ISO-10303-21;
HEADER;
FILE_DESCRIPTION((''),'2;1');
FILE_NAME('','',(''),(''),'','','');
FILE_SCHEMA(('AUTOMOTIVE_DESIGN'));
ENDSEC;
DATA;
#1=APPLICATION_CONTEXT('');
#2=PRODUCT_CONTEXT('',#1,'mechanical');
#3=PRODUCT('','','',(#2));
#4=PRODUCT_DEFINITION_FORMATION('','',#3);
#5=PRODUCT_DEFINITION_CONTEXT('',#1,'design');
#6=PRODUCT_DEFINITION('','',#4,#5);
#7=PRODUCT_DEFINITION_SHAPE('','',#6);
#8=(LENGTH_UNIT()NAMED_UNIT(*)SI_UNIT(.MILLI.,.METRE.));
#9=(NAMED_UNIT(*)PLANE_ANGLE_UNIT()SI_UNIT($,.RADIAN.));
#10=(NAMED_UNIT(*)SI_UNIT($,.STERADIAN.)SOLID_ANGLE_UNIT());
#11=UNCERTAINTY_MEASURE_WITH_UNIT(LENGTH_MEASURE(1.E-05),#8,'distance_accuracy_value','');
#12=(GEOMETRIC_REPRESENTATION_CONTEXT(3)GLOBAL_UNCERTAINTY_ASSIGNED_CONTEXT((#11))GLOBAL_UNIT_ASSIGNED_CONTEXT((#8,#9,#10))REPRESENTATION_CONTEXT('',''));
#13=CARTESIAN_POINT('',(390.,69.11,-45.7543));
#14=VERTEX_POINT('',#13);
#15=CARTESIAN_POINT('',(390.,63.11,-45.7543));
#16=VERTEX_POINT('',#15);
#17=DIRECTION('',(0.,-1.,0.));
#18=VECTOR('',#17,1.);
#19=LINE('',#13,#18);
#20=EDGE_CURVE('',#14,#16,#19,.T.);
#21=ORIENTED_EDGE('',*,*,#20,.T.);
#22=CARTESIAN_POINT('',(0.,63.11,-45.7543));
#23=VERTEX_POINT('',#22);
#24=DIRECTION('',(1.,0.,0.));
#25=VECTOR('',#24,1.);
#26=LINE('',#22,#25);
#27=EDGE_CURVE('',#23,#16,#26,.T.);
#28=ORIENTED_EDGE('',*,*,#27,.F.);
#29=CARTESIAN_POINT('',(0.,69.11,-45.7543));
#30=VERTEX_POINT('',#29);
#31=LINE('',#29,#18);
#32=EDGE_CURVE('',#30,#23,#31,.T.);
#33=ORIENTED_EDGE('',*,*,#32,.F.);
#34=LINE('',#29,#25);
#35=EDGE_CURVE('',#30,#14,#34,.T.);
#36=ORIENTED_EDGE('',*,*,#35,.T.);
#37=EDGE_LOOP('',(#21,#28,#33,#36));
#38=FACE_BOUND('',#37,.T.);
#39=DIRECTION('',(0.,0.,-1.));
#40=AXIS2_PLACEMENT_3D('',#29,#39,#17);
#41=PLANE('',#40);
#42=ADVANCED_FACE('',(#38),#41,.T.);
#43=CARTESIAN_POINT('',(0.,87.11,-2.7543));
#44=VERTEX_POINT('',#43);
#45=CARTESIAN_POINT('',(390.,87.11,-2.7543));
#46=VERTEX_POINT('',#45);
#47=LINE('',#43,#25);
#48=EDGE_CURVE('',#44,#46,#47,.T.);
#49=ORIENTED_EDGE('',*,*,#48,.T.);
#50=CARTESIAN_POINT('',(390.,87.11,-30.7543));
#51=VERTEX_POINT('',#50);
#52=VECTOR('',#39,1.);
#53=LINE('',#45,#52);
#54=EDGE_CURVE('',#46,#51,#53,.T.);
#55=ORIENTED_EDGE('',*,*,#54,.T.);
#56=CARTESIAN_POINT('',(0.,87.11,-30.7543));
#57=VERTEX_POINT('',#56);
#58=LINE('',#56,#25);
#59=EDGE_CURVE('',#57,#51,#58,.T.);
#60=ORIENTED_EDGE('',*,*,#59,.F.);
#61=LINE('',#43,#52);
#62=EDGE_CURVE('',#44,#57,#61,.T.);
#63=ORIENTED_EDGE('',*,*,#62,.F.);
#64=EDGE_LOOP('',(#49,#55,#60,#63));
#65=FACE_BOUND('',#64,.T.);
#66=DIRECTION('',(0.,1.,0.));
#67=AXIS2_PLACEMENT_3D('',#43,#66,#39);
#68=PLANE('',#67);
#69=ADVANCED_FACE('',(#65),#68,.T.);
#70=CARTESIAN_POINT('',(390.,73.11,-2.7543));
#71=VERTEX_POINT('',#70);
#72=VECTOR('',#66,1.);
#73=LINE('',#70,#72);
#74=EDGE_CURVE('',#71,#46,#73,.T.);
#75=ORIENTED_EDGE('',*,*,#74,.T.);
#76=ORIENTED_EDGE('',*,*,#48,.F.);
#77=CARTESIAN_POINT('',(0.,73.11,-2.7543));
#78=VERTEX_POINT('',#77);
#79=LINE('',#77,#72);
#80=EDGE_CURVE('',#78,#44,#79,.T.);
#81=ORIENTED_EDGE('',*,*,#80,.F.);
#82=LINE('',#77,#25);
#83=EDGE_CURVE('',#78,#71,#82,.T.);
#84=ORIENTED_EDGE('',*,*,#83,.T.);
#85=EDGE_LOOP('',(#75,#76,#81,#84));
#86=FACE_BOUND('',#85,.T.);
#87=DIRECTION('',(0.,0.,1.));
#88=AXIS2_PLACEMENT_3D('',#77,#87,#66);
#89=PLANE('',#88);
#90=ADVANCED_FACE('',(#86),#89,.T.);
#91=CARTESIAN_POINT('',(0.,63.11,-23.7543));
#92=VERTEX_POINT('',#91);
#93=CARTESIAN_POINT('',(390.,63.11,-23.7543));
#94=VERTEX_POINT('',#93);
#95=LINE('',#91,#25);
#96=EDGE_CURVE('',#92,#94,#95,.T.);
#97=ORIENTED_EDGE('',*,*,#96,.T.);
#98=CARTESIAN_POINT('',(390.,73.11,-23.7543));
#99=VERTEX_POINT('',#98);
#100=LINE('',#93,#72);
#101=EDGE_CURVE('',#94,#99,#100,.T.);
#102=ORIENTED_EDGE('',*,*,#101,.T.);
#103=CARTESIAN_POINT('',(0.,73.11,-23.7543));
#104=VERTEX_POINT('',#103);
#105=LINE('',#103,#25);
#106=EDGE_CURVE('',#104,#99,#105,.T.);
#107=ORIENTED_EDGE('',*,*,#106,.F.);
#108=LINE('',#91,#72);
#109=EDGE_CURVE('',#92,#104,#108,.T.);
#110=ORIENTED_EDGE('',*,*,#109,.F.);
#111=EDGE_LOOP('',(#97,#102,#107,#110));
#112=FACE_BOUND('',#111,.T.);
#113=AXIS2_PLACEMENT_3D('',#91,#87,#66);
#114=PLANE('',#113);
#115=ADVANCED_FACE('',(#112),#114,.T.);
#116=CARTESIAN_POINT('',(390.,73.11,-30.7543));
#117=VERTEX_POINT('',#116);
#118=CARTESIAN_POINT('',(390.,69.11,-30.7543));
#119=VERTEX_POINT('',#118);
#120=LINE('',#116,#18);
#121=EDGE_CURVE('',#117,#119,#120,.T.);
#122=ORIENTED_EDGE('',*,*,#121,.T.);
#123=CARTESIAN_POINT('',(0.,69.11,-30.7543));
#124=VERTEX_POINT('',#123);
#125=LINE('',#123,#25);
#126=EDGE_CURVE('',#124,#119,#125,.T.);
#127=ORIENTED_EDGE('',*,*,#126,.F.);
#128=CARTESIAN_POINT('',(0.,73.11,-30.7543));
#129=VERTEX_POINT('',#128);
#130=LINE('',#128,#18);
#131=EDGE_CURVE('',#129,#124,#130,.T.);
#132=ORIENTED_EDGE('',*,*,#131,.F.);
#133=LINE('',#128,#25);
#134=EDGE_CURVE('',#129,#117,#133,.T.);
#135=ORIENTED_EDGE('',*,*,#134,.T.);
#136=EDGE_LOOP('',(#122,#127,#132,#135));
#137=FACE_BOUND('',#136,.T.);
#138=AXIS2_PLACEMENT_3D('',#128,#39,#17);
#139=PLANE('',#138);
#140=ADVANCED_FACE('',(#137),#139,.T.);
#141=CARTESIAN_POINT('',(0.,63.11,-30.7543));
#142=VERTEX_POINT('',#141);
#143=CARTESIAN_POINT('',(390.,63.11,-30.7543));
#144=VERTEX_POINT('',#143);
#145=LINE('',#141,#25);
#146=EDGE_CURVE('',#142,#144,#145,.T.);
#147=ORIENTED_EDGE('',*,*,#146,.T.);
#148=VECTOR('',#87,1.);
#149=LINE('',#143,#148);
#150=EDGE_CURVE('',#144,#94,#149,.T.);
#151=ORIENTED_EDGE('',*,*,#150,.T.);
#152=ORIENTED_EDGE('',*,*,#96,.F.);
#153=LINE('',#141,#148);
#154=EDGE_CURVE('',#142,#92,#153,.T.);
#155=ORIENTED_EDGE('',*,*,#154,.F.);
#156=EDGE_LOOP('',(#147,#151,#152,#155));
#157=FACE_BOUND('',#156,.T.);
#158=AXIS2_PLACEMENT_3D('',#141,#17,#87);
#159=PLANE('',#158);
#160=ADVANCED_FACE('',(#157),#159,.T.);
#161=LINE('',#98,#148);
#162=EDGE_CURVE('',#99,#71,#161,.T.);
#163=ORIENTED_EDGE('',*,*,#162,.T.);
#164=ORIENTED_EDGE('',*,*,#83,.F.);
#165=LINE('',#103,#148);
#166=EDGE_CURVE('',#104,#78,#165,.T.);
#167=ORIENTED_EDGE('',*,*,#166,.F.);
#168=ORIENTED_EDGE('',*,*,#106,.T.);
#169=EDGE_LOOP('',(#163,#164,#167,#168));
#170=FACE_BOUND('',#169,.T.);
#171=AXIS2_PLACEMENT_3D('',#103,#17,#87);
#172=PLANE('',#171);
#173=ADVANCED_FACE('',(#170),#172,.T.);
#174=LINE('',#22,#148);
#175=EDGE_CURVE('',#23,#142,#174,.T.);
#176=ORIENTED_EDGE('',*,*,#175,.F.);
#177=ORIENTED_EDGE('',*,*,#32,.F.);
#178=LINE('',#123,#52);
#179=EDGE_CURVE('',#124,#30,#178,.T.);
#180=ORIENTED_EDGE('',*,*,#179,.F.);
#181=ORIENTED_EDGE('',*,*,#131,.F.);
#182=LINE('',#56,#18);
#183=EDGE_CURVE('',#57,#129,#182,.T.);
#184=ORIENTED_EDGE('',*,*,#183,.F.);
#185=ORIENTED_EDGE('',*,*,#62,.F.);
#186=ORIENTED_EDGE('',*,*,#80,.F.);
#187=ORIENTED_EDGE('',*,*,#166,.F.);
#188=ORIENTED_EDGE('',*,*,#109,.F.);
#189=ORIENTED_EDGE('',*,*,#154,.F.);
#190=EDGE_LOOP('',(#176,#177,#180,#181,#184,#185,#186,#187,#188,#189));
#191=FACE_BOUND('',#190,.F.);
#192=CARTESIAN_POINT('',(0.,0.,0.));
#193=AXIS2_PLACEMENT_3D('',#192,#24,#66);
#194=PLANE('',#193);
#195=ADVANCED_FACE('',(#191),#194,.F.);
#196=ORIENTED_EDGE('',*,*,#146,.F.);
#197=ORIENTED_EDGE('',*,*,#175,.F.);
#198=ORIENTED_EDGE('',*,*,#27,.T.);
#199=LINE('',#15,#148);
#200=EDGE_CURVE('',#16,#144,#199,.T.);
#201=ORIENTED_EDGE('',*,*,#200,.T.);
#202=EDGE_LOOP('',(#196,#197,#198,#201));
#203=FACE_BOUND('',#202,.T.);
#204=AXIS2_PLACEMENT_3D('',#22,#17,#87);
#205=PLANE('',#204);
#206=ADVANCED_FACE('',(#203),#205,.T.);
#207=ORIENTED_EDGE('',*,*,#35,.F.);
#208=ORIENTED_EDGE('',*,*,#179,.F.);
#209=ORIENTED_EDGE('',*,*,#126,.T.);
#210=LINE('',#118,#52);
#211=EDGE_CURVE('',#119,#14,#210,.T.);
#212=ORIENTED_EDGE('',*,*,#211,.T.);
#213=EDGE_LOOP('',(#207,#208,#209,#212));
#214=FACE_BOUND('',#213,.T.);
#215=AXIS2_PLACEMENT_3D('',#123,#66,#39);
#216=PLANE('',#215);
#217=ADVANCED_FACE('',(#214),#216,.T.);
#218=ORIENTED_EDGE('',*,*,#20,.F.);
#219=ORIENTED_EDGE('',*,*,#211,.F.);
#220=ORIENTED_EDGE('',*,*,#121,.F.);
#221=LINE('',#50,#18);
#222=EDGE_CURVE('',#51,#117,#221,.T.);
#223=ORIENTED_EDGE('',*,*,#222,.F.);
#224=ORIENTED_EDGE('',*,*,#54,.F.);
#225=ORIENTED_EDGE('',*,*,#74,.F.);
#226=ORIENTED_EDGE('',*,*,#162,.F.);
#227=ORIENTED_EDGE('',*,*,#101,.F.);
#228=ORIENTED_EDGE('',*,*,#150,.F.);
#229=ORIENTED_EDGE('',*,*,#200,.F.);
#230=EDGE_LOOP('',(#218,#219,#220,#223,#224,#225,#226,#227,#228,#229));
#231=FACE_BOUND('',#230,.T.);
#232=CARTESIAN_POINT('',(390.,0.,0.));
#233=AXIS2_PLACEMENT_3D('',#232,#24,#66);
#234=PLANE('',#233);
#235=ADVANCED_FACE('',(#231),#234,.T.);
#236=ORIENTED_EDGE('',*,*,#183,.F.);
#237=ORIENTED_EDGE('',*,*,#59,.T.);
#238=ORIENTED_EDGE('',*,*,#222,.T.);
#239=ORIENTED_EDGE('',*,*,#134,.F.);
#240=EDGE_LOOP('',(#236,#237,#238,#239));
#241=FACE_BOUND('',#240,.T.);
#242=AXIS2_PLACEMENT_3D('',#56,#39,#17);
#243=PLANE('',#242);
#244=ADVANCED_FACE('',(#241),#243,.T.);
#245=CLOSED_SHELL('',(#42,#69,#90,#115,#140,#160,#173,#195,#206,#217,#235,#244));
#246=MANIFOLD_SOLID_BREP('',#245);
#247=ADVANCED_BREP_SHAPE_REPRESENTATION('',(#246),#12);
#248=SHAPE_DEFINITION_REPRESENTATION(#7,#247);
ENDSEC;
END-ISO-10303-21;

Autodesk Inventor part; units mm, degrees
ref_plane "YZ Plane" through (0, 0, 0) normal (1, 0, 0) x (0, 1, 0)
ref_plane "XZ Plane" through (0, 0, 0) normal (0, 1, 0) x (-1, 0, 0)
ref_plane "XY Plane" through (0, 0, 0) normal (0, 0, 1) x (1, 0, 0)
sketch "Schizzo1" plane through (0, 0, 0) normal (1, 0, 0) x (0, 1, 0)
  line L0 (87.11, -30.7543) -> (73.11, -30.7543)
  line L1 (73.11, -23.7543) -> (73.11, -2.7543)
  line L2 (73.11, -2.7543) -> (87.11, -2.7543)
  line L3 (87.11, -2.7543) -> (87.11, -30.7543)
  line L4 (73.11, -30.7543) -> (69.11, -30.7543)
  line L5 (63.11, -30.7543) -> (63.11, -23.7543)
  line L6 (63.11, -23.7543) -> (73.11, -23.7543)
  line L7 (69.11, -30.7543) -> (69.11, -45.7543)
  line L8 (69.11, -45.7543) -> (63.11, -45.7543)
  line L9 (63.11, -45.7543) -> (63.11, -30.7543)
extrude "Estrusione2" add sketch "Schizzo1" along normal blind 390
properties part number "porta guide"
